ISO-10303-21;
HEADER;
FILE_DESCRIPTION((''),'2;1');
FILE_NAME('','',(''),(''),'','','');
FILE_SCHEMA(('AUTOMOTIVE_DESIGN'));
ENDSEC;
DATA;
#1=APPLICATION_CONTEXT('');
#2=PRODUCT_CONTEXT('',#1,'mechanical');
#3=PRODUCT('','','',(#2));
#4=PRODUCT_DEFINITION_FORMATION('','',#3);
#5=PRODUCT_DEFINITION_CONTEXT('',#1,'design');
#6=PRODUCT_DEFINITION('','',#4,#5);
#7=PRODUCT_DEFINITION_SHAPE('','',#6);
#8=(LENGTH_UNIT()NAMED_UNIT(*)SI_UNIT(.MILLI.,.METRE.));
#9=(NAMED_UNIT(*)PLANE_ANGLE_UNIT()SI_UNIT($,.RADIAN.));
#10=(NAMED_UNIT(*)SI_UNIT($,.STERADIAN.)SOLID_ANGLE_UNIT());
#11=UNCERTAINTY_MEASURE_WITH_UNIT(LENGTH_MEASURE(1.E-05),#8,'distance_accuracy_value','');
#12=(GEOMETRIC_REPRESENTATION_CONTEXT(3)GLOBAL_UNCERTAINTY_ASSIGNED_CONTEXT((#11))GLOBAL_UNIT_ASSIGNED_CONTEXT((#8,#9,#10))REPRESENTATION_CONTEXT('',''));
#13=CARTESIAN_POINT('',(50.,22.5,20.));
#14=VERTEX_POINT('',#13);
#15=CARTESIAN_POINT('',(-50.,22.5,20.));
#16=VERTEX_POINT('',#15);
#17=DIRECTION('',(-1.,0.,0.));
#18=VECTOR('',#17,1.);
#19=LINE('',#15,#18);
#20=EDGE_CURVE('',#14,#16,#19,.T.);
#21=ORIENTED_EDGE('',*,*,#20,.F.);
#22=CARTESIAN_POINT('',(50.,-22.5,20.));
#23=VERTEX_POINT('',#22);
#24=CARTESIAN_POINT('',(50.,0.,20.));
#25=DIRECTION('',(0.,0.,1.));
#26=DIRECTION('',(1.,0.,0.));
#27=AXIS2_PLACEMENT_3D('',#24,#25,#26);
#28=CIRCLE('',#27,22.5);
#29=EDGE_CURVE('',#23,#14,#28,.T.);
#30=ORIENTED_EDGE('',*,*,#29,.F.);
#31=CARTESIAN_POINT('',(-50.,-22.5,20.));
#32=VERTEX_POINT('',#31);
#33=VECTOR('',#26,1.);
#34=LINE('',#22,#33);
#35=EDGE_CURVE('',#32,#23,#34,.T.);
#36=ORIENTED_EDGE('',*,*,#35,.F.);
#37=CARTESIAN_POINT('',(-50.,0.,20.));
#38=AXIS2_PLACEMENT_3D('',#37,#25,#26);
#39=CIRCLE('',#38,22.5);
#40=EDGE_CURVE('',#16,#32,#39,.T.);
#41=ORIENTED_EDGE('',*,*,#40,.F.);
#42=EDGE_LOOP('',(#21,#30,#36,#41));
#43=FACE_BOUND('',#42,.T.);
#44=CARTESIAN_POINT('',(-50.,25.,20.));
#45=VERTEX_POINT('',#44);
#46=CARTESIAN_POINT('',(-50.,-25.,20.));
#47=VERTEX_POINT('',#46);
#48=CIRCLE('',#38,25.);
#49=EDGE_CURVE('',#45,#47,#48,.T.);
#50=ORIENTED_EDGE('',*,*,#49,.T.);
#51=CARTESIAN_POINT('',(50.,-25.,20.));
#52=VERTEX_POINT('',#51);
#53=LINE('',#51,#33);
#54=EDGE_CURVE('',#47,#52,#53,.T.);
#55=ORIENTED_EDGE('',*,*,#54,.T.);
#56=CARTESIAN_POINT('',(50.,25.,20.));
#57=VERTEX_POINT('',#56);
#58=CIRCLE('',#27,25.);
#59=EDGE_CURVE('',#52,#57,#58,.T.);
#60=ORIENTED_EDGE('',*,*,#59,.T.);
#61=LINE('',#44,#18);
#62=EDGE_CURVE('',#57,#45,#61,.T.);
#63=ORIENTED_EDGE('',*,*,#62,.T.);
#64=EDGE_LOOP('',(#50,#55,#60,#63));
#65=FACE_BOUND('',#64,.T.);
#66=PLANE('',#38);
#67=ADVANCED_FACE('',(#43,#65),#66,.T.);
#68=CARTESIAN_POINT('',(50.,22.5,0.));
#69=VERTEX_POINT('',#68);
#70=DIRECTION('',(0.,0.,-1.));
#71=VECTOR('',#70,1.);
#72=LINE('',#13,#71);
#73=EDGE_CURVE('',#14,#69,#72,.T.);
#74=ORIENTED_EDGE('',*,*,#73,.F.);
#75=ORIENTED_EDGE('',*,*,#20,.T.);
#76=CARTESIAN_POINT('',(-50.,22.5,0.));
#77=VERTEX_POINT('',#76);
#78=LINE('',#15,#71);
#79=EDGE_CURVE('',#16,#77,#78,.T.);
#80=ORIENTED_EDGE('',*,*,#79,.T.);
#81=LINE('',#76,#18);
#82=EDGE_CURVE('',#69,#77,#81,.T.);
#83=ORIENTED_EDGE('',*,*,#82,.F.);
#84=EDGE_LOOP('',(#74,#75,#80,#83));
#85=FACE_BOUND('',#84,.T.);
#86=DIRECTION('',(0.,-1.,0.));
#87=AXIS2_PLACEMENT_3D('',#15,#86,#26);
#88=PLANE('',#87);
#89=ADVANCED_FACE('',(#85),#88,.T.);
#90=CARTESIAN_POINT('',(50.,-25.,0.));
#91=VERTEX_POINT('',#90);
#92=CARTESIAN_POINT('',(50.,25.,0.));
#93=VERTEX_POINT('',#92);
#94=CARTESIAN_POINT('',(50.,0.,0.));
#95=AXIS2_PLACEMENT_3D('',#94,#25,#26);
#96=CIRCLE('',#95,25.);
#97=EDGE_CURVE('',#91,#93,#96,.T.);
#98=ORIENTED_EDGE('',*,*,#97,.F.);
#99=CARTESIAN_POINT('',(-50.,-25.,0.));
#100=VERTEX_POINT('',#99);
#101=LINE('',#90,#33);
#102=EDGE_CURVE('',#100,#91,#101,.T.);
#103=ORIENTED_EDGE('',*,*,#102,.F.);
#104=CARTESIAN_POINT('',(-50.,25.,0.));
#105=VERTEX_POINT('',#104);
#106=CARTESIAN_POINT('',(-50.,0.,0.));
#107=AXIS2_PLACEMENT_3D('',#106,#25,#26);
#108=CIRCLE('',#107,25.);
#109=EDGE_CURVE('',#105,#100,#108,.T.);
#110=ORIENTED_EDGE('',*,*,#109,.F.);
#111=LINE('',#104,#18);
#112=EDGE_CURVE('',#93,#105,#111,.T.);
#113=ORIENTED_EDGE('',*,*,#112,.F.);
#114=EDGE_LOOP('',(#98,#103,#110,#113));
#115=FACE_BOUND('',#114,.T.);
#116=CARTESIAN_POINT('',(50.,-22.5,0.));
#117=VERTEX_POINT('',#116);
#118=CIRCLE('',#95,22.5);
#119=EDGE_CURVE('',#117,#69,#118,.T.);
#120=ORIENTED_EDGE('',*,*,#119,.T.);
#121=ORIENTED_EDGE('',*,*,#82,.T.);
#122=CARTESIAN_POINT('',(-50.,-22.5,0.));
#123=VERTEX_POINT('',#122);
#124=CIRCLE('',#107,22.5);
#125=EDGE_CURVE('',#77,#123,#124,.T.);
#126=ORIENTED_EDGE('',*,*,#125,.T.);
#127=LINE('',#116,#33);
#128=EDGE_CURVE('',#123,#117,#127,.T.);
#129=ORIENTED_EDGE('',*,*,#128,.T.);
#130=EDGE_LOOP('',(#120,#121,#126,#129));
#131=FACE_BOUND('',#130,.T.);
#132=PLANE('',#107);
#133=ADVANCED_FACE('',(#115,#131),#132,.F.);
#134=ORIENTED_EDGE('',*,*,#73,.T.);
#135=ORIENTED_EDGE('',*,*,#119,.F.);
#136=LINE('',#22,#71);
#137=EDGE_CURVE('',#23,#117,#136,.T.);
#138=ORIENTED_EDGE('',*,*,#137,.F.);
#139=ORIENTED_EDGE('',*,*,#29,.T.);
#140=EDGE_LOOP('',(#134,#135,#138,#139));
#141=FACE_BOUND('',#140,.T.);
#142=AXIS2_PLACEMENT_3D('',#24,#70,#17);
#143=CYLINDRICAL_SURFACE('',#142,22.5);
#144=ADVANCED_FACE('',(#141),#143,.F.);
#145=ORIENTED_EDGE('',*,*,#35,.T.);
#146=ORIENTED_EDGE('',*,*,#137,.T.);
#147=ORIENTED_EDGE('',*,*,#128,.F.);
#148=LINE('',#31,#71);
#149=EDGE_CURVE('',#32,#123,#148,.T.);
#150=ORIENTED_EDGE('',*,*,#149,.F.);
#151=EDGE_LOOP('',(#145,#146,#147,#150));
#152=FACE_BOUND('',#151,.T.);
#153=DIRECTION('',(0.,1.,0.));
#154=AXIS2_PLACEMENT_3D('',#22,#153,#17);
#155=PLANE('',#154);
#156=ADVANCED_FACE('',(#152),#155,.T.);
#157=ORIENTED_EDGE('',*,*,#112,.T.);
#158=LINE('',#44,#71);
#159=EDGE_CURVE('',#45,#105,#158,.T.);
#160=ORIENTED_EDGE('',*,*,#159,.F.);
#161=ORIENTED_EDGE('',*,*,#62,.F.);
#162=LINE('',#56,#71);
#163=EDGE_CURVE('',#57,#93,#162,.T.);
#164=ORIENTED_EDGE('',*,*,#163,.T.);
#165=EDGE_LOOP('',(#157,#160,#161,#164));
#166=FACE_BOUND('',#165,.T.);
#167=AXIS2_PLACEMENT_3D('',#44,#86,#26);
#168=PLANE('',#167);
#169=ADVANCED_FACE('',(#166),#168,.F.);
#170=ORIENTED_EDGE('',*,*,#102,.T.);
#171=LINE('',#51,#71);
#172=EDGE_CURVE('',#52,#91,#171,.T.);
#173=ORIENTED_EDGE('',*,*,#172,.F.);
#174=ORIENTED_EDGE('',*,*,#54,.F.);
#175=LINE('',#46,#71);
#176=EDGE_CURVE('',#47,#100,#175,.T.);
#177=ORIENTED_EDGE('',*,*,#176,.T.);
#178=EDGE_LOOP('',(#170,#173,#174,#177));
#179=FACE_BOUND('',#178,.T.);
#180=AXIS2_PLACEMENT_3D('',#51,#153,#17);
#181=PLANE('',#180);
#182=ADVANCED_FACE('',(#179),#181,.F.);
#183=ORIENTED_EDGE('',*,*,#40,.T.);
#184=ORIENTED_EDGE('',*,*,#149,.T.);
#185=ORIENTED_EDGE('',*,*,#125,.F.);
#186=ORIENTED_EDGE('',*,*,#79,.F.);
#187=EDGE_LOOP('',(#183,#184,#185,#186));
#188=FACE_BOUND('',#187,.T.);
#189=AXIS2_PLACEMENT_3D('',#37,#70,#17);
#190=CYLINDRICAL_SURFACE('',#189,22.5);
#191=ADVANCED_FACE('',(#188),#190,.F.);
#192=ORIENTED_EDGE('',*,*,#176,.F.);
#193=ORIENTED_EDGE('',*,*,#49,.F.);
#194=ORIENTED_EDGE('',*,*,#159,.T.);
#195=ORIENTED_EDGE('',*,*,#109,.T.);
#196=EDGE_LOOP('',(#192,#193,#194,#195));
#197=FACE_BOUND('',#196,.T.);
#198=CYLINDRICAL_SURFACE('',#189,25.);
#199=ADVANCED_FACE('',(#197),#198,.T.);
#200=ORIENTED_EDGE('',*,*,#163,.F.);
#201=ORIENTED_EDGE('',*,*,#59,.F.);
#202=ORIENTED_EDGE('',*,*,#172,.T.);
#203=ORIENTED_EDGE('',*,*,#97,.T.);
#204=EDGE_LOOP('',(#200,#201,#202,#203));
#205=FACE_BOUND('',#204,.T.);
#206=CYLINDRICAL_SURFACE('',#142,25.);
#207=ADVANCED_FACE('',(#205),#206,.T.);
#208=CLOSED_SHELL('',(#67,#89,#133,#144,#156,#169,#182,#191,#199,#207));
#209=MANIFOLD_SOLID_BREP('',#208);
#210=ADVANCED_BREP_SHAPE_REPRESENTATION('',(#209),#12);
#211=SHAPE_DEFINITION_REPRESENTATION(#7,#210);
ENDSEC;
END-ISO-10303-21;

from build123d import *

# Parameters (mm, degrees)
BOSS_EXTRUDE1_DEPTH = 20


with BuildPart() as part:
    # Sketch1 → Boss-Extrude1 (new body)
    with BuildSketch(Plane.XY):
        with BuildLine():
            Line((-50, 25), (50, 25))
            ThreePointArc((50, 25), (75, 0), (50, -25))
            Line((50, -25), (-50, -25))
            ThreePointArc((-50, -25), (-75, 0), (-50, 25))
        make_face()
        with BuildLine():
            Line((-50, 22.5), (50, 22.5))
            ThreePointArc((50, 22.5), (72.5, 0), (50, -22.5))
            Line((50, -22.5), (-50, -22.5))
            ThreePointArc((-50, -22.5), (-72.5, 0), (-50, 22.5))
        make_face(mode=Mode.SUBTRACT)
    extrude(amount=BOSS_EXTRUDE1_DEPTH)


solid = part.part
